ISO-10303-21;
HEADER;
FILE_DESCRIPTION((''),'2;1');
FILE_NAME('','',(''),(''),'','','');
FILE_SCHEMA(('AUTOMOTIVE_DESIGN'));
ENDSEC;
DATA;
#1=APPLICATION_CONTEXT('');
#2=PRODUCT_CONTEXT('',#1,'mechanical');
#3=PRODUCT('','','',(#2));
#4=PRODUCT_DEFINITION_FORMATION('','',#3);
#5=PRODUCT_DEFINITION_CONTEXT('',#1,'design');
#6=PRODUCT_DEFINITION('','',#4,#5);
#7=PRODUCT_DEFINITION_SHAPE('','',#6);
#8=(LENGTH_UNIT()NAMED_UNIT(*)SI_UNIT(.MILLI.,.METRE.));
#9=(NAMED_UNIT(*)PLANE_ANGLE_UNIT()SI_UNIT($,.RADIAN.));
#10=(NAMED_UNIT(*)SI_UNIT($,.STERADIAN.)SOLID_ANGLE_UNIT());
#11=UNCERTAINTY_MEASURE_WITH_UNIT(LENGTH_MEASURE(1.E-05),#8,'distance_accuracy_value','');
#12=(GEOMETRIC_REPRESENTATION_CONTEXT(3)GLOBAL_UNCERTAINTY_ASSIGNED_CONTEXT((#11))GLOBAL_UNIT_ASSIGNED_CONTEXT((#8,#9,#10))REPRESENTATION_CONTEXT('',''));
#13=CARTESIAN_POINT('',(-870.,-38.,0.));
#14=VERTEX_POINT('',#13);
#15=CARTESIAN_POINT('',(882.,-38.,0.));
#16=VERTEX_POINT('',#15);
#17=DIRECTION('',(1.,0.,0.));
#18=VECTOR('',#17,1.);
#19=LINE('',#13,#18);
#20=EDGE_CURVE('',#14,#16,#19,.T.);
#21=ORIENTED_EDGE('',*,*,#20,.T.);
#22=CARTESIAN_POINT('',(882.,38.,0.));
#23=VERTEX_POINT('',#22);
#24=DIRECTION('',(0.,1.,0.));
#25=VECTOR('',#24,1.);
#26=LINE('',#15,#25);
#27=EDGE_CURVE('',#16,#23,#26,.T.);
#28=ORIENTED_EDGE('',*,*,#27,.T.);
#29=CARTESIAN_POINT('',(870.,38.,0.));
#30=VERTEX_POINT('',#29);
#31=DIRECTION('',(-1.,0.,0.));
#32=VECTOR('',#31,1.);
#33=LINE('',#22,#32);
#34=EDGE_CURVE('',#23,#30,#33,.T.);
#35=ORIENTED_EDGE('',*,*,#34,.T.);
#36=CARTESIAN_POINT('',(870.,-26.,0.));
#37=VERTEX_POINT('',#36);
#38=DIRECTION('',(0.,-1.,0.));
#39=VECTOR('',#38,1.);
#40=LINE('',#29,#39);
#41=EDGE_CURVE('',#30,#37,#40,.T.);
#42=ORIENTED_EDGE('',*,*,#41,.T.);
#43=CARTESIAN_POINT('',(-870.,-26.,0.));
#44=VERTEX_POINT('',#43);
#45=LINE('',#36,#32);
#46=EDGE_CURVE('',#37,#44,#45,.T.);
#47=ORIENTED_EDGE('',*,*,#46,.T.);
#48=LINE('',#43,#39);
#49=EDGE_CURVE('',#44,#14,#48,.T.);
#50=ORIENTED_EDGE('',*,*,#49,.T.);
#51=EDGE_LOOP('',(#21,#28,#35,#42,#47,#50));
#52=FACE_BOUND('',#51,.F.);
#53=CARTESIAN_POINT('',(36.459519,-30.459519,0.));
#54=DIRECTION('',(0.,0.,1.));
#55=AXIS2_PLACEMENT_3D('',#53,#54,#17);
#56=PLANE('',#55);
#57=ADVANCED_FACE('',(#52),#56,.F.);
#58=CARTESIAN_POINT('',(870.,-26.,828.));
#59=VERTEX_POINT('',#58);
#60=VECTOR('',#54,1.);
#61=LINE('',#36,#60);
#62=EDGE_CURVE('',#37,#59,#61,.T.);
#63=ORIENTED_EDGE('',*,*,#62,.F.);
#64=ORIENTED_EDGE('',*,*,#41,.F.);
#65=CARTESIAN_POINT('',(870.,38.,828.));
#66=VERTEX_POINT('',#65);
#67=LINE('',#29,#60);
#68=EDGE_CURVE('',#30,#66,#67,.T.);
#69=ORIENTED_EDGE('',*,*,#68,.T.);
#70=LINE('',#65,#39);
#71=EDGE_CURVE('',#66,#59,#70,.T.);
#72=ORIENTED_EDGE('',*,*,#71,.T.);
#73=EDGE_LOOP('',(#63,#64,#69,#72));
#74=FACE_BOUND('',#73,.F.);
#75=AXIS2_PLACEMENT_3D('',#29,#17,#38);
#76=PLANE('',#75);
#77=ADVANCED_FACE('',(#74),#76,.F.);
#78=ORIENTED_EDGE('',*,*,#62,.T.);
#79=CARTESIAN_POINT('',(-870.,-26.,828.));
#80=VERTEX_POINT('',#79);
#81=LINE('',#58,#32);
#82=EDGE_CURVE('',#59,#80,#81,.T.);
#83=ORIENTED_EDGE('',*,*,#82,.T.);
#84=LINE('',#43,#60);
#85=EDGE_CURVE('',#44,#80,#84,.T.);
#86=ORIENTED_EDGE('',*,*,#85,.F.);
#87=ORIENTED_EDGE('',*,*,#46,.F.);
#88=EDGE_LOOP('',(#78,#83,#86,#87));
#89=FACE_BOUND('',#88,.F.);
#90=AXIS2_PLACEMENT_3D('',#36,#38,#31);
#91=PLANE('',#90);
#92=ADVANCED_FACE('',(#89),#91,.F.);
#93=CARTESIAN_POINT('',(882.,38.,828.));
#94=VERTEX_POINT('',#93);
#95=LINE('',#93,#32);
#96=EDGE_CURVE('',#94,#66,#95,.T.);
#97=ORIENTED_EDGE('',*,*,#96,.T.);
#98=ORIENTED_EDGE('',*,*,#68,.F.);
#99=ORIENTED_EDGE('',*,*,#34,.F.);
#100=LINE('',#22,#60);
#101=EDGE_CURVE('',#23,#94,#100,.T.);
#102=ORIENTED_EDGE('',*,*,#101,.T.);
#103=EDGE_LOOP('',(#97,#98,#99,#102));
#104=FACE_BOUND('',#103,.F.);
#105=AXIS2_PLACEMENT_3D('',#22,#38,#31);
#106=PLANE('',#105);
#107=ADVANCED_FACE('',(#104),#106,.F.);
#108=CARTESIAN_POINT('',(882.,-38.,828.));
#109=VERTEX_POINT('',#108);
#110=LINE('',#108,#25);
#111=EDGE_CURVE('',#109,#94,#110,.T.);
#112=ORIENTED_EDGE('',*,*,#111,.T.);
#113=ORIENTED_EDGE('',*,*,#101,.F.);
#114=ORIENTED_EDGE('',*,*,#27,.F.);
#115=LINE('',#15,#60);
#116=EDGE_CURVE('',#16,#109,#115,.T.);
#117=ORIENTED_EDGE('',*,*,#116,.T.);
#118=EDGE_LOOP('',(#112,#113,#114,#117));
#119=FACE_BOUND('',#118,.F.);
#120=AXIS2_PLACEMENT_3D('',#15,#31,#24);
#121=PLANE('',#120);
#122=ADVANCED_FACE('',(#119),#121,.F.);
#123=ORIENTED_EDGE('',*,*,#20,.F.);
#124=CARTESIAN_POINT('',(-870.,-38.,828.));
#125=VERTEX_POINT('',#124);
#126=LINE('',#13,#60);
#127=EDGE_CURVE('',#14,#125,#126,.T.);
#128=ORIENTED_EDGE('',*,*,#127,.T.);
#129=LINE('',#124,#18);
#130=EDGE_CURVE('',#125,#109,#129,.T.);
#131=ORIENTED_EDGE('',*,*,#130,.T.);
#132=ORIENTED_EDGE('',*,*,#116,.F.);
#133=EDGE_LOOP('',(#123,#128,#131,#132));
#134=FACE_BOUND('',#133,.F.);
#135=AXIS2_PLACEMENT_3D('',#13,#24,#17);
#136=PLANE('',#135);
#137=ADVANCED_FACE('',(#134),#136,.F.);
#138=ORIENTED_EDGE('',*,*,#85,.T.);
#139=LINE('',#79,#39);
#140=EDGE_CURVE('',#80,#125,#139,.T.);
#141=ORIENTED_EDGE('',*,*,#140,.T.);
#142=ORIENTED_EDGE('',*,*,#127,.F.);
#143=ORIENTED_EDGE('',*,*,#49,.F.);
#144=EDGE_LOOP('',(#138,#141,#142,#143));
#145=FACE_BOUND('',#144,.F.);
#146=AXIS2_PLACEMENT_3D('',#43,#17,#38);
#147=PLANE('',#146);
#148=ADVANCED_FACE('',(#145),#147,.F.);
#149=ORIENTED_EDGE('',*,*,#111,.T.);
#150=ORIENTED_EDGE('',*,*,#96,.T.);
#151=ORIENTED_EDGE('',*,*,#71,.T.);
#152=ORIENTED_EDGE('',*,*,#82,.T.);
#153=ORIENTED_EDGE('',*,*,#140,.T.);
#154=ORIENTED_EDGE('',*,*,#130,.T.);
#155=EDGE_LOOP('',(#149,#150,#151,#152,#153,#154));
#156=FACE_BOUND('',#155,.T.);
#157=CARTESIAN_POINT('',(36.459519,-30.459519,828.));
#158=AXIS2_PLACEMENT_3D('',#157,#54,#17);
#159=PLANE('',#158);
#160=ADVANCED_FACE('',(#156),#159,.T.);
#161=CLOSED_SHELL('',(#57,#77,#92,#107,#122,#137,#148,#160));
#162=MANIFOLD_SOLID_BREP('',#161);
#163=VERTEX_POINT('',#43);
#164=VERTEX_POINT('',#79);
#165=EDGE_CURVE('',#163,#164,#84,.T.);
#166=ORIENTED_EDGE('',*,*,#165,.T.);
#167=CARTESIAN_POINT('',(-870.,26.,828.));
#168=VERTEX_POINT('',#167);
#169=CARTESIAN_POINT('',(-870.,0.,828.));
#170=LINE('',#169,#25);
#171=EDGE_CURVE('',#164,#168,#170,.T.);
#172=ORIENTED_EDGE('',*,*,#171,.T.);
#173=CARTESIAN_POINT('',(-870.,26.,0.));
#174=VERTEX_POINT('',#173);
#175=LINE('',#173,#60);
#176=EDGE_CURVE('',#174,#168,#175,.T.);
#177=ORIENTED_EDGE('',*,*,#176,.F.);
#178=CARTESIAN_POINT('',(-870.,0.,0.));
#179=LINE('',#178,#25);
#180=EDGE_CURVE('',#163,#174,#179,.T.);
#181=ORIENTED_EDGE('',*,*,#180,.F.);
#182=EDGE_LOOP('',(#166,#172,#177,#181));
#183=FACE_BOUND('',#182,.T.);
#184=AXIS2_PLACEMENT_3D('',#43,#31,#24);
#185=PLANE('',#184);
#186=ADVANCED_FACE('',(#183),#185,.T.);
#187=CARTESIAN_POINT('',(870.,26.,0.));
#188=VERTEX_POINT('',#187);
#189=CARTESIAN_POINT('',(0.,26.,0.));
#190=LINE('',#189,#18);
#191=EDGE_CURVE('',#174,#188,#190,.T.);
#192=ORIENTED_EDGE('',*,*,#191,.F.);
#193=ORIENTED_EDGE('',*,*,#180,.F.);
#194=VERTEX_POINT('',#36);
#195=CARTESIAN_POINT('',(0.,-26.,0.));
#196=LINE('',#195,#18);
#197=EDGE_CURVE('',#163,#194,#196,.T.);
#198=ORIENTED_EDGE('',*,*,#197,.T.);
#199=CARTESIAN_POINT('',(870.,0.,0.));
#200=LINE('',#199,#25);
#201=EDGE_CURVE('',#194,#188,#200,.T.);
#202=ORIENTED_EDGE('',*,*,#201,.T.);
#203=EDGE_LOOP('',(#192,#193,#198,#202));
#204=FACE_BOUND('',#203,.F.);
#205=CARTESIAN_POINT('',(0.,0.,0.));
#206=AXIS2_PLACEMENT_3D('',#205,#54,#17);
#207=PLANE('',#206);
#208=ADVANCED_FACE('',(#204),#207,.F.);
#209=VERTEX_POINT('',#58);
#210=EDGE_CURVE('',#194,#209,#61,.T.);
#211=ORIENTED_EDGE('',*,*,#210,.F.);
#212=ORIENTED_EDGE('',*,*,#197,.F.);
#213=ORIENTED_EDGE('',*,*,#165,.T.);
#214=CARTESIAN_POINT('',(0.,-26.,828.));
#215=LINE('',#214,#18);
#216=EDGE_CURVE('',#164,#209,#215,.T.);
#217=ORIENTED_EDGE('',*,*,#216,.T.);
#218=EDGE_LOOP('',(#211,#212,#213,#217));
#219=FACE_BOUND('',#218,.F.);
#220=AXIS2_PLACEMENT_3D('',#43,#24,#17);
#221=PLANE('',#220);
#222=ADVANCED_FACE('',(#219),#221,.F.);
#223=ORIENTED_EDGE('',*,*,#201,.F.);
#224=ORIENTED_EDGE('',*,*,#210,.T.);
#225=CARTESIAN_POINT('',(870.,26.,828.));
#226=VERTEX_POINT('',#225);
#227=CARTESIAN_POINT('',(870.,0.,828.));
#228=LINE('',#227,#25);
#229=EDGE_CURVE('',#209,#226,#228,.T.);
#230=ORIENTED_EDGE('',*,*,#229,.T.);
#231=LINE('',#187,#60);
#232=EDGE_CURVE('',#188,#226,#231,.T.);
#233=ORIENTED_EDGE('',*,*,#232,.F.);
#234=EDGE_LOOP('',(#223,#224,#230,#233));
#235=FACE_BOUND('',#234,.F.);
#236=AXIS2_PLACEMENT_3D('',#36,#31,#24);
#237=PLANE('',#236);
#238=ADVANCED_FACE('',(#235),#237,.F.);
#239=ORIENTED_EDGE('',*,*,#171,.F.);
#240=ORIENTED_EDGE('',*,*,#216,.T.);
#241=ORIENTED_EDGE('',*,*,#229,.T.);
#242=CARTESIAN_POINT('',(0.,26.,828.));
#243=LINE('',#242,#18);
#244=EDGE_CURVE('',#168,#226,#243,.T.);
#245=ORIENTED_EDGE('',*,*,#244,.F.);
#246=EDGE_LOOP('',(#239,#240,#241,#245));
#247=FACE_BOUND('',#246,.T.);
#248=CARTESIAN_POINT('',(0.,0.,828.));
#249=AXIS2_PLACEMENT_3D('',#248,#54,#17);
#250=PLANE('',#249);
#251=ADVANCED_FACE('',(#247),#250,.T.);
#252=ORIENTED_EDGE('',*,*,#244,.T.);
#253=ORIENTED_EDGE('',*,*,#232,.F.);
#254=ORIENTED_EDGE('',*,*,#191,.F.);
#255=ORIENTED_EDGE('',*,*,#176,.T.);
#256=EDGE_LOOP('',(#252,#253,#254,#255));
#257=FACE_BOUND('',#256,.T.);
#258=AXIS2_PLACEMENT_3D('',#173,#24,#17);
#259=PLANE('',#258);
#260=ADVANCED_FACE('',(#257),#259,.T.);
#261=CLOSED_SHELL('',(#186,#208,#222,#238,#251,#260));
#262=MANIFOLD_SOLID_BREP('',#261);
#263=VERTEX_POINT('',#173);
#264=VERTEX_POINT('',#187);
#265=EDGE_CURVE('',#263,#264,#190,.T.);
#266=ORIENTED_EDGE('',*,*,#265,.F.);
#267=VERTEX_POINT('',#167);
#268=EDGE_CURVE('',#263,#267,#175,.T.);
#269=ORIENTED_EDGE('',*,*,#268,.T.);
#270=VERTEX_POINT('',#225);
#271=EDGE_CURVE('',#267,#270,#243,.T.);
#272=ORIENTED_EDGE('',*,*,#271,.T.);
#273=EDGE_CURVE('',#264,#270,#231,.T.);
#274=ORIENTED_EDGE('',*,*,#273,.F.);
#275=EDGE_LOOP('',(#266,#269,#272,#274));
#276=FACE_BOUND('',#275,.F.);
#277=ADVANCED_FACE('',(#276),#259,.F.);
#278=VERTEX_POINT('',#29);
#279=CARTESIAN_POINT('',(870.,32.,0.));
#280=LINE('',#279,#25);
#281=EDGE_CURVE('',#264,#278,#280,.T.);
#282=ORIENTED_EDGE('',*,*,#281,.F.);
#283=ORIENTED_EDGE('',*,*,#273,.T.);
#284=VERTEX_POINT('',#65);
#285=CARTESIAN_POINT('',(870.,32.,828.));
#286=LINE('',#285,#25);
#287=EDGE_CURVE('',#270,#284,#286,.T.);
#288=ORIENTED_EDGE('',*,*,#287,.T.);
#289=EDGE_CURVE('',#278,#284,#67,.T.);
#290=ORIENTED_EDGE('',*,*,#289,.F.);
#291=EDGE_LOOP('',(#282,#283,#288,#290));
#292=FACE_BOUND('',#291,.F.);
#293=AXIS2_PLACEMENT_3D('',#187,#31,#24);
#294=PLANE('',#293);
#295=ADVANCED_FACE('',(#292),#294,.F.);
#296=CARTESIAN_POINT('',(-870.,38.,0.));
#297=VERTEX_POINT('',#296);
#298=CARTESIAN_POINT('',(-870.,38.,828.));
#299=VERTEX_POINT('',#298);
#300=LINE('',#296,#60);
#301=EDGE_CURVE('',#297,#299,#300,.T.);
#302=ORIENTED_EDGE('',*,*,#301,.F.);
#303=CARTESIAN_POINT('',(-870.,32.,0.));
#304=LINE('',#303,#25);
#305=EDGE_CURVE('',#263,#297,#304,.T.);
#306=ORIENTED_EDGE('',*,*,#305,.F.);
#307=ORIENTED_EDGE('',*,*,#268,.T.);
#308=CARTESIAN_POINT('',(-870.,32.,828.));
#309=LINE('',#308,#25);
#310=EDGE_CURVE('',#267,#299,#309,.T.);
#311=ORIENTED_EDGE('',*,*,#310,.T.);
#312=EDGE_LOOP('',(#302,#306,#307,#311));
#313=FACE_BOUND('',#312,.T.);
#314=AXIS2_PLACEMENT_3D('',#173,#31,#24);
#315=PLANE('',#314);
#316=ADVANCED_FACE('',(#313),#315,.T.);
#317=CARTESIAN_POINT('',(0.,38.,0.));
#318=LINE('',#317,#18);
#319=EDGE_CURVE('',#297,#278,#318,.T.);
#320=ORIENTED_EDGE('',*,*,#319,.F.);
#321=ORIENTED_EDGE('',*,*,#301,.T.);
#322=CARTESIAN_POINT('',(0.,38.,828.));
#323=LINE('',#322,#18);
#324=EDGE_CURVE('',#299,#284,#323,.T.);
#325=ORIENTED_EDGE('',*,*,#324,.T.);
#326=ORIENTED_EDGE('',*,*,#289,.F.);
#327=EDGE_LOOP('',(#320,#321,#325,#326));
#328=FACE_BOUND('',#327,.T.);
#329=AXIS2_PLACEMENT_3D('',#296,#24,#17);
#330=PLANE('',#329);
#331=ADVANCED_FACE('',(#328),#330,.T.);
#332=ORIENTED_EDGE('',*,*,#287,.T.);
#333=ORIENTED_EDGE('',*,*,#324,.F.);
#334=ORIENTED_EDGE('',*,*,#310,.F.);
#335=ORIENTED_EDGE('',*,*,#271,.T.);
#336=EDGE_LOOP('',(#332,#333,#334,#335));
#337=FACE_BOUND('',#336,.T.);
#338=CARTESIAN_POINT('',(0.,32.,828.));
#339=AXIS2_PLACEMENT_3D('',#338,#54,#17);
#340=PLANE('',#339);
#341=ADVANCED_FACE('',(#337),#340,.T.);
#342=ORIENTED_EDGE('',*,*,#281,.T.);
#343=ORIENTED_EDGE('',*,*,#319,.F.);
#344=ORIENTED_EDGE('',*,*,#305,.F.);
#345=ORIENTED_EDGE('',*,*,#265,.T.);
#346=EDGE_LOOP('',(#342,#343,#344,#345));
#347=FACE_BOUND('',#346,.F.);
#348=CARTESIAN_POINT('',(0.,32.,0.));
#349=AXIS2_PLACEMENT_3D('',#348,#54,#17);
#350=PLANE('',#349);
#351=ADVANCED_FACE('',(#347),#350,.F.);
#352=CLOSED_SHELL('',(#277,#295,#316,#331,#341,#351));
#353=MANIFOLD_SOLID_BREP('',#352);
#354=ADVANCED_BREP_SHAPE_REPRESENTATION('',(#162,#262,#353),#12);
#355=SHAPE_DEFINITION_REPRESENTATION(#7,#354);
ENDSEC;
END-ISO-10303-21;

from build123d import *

# Parameters (mm, degrees)
F0_W     = 1740
F0_H     = 52
F1_DEPTH = 828
F3_DEPTH = 828
F4_W     = 1740
F4_H     = 12
F5_DEPTH = 828


with BuildPart() as f1:
    # F0 (on Top) → F1 (new body)
    with BuildSketch(Plane.XY):
        Rectangle(F0_W, F0_H)
    extrude(amount=F1_DEPTH)


with BuildPart() as f3:
    # F2 (on Top) → F3 (new body, through all)
    with BuildSketch(Plane.XY):
        Polygon((870, -26), (-870, -26), (-870, -38), (882, -38), (882, 38), (870, 38), align=None)
    extrude(amount=F3_DEPTH)


with BuildPart() as f5:
    # F4 (on Top) → F5 (new body, through all)
    with BuildSketch(Plane.XY):
        with Locations((0, 32)):
            Rectangle(F4_W, F4_H)
    extrude(amount=F5_DEPTH)


solid = Compound([f1.part, f3.part, f5.part])
